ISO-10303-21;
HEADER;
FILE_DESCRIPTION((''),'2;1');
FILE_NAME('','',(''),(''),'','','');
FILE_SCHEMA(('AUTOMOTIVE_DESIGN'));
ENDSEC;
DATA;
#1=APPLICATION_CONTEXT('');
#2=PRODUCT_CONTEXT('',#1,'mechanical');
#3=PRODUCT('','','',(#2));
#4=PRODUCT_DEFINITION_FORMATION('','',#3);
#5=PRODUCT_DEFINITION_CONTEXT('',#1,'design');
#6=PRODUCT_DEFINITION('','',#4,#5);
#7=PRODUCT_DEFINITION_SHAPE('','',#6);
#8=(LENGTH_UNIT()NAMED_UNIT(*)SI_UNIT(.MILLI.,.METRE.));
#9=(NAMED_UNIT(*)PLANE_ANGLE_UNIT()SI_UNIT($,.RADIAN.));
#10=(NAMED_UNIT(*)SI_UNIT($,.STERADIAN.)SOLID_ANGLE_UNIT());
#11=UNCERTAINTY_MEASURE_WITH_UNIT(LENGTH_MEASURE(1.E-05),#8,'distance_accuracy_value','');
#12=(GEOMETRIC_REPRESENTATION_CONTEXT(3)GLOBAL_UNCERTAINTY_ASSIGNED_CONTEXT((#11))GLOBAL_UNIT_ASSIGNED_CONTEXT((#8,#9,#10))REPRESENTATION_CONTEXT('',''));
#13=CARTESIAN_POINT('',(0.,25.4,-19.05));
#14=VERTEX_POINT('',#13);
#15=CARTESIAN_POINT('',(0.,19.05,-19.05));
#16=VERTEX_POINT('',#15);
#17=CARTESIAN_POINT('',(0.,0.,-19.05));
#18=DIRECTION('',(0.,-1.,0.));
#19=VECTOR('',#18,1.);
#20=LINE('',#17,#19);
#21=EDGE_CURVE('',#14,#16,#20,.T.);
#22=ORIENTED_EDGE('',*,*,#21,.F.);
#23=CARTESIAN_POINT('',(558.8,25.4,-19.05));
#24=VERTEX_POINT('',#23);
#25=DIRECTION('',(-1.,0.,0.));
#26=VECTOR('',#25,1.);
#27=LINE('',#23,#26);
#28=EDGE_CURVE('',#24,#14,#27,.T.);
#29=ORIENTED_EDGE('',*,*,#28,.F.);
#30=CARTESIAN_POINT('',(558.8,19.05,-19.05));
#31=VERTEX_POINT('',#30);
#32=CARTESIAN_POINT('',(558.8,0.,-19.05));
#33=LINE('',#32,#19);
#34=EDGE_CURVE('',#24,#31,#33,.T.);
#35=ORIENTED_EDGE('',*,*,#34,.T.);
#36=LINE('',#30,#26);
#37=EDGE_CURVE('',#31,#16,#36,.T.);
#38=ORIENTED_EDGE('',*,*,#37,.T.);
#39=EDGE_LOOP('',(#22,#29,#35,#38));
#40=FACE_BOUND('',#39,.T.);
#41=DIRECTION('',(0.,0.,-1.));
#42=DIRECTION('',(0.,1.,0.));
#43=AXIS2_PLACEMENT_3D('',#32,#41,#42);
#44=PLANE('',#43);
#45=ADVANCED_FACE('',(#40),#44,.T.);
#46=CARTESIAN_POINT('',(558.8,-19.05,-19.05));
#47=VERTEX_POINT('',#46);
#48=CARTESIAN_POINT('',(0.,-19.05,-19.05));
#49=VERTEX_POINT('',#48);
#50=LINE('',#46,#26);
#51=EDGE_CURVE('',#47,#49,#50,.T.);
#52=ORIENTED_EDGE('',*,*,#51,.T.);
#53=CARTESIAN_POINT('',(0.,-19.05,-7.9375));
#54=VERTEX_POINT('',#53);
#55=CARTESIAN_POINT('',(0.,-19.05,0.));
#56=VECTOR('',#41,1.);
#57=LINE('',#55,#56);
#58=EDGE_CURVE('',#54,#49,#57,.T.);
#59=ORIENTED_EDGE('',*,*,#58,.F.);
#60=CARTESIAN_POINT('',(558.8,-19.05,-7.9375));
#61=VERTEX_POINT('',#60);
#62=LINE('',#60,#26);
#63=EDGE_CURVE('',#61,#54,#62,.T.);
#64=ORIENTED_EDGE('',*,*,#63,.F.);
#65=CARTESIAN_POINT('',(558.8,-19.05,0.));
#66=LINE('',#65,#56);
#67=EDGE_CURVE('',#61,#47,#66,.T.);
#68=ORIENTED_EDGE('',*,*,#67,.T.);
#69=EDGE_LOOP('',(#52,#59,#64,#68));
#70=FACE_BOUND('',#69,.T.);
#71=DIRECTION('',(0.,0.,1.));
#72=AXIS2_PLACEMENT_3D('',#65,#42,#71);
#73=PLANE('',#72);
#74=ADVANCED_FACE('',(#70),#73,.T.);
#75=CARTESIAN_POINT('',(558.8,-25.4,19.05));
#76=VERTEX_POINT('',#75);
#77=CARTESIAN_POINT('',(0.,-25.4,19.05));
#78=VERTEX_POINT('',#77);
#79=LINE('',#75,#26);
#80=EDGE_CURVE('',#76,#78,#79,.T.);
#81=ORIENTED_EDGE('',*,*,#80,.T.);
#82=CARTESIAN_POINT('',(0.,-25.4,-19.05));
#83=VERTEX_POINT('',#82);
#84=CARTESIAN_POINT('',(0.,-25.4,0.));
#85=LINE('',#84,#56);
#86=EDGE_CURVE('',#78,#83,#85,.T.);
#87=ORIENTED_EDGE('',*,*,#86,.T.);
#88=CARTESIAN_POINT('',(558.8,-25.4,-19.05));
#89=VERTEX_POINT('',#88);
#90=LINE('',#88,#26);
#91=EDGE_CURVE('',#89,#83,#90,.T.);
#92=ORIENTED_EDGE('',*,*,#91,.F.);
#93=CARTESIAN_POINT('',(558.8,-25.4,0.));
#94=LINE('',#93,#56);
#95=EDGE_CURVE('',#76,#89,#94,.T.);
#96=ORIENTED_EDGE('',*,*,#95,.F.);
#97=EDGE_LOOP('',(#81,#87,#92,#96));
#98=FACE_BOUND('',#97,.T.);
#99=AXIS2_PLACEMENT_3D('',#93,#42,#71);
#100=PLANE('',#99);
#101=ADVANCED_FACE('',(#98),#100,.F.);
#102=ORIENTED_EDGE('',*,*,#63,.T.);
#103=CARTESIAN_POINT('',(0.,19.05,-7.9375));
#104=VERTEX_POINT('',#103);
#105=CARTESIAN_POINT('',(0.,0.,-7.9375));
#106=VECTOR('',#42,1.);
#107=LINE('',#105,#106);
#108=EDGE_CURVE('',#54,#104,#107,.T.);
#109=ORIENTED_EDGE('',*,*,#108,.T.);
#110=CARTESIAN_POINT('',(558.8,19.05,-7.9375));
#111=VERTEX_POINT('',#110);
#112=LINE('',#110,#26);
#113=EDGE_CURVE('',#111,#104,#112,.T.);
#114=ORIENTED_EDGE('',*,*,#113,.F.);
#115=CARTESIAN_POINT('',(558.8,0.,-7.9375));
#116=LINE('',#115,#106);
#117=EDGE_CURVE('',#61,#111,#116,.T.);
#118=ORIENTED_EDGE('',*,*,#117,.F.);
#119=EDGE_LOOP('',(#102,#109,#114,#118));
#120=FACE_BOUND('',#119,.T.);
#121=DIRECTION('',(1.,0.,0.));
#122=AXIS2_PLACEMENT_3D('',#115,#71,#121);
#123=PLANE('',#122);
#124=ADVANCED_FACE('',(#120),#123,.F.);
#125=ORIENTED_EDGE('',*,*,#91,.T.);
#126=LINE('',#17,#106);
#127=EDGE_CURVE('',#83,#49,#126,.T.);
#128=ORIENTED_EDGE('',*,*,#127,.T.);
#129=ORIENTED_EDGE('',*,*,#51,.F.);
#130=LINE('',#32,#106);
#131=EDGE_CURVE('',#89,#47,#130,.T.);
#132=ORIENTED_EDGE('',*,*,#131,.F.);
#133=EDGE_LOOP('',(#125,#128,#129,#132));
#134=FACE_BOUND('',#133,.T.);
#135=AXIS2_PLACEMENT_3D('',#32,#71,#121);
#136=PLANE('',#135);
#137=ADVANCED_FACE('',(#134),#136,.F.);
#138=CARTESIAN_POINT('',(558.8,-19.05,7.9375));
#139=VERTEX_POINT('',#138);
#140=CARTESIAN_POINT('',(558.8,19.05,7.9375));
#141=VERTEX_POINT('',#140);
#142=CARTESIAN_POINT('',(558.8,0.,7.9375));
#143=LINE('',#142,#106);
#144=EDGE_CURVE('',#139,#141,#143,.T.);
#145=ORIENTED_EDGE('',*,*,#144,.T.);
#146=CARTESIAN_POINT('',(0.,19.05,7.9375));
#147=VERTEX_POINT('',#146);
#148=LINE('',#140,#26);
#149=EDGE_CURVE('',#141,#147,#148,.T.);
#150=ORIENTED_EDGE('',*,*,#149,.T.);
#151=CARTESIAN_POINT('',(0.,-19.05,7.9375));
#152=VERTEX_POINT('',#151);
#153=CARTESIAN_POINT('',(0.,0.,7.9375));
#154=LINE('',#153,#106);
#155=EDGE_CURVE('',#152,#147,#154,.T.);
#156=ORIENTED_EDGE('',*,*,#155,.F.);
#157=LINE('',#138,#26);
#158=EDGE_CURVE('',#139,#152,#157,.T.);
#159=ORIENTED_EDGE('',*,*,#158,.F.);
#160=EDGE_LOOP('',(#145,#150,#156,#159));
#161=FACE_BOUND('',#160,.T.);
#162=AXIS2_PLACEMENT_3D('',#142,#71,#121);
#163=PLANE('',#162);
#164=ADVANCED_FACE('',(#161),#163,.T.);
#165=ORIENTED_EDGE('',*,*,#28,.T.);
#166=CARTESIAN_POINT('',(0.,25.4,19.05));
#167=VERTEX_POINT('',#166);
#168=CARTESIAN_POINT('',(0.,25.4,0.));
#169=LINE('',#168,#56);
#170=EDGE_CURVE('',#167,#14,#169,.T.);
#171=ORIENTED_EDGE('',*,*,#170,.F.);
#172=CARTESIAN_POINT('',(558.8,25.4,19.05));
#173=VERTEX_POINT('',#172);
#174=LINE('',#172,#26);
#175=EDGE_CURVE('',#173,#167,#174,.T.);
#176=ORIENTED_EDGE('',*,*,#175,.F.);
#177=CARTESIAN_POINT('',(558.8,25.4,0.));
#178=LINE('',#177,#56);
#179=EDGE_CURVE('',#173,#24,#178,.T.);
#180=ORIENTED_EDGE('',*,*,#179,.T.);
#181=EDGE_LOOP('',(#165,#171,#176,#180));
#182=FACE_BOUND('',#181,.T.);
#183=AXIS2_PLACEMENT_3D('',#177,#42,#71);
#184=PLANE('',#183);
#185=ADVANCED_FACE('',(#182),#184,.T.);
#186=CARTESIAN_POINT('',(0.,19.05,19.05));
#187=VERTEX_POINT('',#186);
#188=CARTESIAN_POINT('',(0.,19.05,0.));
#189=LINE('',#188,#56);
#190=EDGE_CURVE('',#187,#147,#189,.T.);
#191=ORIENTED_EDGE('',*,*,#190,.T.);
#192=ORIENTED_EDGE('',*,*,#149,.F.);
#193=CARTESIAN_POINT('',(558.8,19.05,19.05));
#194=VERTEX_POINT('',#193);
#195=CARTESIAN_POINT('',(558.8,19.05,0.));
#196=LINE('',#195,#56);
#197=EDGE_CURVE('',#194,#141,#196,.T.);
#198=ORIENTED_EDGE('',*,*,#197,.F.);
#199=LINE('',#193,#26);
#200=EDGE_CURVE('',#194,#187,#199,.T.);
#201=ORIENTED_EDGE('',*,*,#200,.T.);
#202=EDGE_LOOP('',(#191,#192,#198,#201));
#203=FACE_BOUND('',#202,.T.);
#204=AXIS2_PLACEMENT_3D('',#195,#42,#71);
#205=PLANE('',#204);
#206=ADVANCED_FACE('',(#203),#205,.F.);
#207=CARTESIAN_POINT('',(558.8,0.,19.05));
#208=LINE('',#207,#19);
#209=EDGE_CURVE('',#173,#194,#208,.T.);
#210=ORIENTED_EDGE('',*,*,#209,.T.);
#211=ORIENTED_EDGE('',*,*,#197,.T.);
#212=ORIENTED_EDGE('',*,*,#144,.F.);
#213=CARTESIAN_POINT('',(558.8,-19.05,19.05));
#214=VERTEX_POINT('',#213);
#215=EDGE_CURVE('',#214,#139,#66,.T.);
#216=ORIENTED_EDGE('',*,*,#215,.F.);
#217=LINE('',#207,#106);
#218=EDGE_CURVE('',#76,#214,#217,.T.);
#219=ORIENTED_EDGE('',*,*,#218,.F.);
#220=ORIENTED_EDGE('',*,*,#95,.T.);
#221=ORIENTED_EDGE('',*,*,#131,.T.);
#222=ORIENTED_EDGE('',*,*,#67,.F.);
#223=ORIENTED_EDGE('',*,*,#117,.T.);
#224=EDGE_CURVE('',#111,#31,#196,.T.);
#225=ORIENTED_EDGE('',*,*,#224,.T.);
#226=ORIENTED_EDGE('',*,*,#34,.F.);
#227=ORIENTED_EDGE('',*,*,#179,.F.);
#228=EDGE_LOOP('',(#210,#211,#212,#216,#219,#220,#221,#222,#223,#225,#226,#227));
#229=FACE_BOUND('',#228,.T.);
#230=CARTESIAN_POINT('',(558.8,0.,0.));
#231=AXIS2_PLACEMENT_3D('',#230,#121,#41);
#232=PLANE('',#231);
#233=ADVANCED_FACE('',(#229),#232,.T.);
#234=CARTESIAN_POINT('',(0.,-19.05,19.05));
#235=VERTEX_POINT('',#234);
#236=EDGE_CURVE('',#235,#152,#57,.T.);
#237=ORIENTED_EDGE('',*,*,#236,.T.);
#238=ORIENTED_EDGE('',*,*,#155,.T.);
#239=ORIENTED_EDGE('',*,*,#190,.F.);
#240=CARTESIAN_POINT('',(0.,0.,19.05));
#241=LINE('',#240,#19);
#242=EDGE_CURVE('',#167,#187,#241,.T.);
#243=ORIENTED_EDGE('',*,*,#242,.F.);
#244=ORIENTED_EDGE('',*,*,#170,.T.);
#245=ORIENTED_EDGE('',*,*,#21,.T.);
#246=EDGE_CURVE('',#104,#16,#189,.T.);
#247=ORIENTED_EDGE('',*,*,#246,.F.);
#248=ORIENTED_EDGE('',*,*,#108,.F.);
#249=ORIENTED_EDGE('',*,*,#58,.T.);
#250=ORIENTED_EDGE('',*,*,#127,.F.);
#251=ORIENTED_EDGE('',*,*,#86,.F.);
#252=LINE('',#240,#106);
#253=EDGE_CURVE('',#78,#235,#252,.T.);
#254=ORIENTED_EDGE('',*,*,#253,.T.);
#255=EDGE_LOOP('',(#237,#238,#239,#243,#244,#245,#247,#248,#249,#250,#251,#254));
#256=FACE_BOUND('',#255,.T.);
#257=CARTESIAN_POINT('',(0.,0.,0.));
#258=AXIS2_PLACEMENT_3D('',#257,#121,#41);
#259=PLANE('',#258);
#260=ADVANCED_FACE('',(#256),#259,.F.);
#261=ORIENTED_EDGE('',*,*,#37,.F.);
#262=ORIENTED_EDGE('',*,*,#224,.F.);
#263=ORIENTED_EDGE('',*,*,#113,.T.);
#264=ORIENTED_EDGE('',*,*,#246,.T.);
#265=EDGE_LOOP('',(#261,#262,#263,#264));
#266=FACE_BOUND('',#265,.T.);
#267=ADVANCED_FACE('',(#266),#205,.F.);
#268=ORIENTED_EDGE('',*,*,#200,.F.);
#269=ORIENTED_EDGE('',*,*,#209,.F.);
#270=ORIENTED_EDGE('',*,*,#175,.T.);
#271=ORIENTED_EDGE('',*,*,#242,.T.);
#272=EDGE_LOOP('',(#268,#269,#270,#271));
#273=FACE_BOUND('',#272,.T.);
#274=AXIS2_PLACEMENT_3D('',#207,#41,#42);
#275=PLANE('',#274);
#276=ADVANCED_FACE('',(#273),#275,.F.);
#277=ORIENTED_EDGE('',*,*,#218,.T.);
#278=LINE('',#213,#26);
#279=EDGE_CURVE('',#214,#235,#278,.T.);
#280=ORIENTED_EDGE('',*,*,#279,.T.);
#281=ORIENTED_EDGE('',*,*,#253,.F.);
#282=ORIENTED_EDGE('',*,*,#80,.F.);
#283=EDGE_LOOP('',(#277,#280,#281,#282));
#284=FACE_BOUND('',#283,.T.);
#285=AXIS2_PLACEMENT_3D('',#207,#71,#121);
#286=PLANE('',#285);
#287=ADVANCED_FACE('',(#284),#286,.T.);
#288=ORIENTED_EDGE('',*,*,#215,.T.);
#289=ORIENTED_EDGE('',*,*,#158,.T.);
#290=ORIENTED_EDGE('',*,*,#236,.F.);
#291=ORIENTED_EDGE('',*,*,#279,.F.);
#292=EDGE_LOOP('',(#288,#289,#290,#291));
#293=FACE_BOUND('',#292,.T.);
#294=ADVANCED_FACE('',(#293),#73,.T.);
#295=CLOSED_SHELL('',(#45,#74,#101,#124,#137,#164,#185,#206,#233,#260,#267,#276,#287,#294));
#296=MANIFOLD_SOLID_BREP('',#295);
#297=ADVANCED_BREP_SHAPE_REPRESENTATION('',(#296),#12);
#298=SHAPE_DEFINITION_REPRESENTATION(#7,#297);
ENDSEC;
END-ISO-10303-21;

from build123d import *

# Parameters (mm, degrees)
SKETCH2_W           = 38.1
SKETCH2_H           = 6.35
SKETCH2_W_2         = 15.875
SKETCH2_H_2         = 38.1
BOSS_EXTRUDE1_DEPTH = 558.8


with BuildPart() as part:
    # Sketch2 → Boss-Extrude1 (new body)
    with BuildSketch(Plane(origin=(0, 0, 0), x_dir=(0, 0, -1), z_dir=(1, 0, 0))):
        with Locations((0, 22.225)):
            Rectangle(SKETCH2_W, SKETCH2_H)
        Rectangle(SKETCH2_W_2, SKETCH2_H_2)
        with Locations((0, -22.225)):
            Rectangle(SKETCH2_W, SKETCH2_H)
    extrude(amount=BOSS_EXTRUDE1_DEPTH)


solid = part.part
